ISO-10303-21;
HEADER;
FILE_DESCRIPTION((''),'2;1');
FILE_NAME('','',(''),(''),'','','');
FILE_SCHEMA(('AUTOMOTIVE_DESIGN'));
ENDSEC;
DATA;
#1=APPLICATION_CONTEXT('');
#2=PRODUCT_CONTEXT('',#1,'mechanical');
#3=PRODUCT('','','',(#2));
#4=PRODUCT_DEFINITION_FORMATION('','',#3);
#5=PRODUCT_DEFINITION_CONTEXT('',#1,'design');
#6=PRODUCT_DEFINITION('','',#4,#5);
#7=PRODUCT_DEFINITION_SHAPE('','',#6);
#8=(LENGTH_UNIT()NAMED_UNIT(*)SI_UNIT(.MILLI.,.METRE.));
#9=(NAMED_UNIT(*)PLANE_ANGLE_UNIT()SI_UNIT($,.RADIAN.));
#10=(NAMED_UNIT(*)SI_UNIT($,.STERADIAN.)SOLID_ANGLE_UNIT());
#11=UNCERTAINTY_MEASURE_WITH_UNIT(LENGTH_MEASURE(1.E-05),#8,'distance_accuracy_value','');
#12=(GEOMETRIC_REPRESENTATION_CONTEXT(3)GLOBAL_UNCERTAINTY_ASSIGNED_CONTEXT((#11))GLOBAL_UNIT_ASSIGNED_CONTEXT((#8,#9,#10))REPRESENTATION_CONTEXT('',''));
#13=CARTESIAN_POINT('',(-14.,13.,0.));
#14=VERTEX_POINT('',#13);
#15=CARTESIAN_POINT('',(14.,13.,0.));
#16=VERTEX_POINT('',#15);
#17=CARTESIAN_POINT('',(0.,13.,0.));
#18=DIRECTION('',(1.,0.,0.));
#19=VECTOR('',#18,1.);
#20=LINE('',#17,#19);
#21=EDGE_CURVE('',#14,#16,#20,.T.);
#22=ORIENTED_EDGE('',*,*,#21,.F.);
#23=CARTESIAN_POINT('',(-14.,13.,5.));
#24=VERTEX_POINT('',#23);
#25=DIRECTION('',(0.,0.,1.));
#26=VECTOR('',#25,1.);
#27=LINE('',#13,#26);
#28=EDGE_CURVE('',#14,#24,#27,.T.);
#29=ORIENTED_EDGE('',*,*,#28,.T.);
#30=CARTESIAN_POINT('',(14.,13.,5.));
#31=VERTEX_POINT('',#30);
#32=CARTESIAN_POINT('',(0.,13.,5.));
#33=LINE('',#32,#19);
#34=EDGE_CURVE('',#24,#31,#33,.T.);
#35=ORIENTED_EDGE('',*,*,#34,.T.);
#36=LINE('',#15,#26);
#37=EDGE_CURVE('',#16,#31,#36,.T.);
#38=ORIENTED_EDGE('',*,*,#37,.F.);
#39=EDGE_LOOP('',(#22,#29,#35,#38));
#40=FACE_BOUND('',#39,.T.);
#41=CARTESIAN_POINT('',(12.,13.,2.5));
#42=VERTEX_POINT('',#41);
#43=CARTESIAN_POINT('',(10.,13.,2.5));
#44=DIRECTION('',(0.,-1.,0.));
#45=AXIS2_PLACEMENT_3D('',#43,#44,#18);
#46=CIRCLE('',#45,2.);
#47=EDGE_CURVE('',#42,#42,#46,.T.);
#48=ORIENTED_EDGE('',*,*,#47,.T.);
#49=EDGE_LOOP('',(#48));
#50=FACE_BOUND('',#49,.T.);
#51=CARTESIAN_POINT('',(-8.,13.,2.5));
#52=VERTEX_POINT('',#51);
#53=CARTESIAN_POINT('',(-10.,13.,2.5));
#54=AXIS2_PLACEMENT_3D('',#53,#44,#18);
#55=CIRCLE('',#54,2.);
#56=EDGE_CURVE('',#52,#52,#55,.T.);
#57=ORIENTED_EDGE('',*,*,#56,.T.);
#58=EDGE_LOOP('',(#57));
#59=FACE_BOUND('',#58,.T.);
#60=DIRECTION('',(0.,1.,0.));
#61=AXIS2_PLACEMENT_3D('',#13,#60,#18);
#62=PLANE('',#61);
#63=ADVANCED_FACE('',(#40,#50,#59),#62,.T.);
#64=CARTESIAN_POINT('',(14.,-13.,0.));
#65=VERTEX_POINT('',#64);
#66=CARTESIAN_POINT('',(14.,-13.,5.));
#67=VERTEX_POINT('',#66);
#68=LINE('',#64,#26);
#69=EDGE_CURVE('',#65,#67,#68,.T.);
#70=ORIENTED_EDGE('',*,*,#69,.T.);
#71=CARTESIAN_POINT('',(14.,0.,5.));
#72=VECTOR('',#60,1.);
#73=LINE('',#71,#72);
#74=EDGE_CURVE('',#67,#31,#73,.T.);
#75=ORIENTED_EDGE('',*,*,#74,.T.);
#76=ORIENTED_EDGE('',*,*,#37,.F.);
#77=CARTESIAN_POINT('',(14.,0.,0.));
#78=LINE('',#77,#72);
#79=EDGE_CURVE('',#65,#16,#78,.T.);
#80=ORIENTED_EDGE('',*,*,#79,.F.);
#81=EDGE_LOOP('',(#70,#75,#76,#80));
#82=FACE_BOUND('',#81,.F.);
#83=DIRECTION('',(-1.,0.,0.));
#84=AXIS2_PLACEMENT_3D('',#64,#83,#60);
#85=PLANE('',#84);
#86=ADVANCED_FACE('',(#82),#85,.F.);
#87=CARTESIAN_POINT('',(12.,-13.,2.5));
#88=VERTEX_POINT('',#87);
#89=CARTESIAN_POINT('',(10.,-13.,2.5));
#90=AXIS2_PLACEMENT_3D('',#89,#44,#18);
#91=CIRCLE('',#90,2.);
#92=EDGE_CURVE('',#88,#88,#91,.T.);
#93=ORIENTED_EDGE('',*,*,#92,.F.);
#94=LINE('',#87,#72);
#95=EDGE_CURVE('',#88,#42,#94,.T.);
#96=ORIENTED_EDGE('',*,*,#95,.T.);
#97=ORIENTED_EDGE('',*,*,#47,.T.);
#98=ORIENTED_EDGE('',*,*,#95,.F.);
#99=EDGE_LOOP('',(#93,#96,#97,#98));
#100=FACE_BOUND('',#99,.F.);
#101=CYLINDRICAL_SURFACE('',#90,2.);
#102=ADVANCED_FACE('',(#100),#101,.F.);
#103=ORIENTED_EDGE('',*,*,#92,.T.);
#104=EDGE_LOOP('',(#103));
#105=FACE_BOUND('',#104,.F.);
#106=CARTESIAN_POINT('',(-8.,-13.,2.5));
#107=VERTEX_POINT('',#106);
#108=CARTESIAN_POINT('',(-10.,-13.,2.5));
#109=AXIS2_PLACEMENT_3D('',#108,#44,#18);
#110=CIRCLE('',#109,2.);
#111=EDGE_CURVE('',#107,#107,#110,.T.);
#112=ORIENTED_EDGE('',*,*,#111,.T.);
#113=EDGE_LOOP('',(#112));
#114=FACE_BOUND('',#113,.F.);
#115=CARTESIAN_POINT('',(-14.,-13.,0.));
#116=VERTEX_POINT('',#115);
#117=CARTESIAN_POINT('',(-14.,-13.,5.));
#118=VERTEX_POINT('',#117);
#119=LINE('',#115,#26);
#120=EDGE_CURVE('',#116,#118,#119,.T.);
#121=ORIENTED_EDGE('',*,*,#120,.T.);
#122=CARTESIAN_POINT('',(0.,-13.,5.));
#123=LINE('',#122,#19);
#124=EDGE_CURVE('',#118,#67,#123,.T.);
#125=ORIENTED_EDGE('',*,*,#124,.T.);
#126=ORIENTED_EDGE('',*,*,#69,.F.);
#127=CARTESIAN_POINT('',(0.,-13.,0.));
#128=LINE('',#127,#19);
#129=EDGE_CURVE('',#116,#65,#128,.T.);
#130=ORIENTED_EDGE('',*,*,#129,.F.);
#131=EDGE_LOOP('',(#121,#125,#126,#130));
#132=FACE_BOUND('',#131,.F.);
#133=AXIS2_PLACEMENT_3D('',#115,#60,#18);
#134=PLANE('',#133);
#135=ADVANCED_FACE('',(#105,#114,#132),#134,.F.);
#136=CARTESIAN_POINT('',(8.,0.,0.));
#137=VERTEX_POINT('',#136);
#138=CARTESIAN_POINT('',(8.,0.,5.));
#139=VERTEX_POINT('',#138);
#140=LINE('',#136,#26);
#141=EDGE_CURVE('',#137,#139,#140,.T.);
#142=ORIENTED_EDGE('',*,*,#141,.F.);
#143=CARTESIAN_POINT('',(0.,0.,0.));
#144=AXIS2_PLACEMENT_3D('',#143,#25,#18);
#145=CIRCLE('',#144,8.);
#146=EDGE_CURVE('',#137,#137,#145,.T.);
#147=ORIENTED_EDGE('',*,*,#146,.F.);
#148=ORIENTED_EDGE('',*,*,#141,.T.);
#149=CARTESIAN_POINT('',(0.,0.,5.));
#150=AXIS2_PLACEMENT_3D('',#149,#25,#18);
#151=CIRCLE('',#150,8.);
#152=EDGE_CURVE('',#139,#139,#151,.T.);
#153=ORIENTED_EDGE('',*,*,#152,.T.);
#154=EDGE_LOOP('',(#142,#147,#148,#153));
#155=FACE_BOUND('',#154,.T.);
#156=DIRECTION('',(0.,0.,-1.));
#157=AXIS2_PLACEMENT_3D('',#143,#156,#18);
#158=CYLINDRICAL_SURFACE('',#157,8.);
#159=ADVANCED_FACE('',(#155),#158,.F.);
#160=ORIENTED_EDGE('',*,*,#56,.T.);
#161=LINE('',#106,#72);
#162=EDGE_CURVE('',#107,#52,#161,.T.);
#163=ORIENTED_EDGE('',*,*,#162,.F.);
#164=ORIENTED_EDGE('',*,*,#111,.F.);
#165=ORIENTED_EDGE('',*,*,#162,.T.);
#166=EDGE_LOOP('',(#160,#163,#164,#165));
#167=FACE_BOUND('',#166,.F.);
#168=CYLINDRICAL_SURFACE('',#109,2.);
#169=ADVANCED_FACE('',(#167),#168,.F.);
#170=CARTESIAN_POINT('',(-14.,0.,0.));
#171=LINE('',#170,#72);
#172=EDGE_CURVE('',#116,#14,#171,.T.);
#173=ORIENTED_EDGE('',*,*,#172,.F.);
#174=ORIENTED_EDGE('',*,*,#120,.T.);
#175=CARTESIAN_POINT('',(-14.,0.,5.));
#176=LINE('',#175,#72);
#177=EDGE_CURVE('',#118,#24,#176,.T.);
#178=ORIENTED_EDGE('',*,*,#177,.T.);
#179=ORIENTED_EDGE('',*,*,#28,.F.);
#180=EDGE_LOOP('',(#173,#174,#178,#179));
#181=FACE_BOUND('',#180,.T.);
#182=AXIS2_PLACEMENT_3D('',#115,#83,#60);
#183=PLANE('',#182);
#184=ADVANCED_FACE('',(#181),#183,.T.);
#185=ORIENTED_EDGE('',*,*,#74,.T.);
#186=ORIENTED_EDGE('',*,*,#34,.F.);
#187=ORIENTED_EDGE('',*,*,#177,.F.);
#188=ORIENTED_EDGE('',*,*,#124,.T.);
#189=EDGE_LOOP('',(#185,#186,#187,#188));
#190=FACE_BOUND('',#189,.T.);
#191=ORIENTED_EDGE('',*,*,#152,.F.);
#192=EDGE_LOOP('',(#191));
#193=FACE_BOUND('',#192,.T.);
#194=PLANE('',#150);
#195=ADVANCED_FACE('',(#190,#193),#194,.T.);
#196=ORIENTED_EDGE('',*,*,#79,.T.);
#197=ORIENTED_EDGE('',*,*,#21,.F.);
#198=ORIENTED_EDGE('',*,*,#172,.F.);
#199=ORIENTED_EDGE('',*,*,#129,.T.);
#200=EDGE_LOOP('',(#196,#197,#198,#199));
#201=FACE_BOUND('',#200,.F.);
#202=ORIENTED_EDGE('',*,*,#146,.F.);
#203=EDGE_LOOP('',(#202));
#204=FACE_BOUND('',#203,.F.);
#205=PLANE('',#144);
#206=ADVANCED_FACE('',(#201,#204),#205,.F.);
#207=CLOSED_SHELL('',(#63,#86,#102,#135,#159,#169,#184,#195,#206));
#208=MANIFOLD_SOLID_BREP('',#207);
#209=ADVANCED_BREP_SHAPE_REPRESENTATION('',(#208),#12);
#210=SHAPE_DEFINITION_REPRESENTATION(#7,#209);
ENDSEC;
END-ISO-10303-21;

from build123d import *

# Parameters (mm, degrees)
SKETCH_W     = 28
SKETCH_H     = 26
SKETCH_R     = 8
PAD_DEPTH    = 5
SKETCH001_R  = 2
POCKET_DEPTH = 26.001


with BuildPart() as part:
    # Sketch → Pad (new body)
    with BuildSketch(Plane.XY):
        Rectangle(SKETCH_W, SKETCH_H)
        Circle(SKETCH_R, mode=Mode.SUBTRACT)
    extrude(amount=PAD_DEPTH)

    # Sketch001 (on Face3 of Pad) → Pocket (cut, through all)
    with BuildSketch(Plane.XZ.offset(13)):
        with Locations((10, 2.5)):
            Circle(SKETCH001_R)
        with Locations((-10, 2.5)):
            Circle(SKETCH001_R)
    extrude(amount=-POCKET_DEPTH, mode=Mode.SUBTRACT)


solid = part.part
